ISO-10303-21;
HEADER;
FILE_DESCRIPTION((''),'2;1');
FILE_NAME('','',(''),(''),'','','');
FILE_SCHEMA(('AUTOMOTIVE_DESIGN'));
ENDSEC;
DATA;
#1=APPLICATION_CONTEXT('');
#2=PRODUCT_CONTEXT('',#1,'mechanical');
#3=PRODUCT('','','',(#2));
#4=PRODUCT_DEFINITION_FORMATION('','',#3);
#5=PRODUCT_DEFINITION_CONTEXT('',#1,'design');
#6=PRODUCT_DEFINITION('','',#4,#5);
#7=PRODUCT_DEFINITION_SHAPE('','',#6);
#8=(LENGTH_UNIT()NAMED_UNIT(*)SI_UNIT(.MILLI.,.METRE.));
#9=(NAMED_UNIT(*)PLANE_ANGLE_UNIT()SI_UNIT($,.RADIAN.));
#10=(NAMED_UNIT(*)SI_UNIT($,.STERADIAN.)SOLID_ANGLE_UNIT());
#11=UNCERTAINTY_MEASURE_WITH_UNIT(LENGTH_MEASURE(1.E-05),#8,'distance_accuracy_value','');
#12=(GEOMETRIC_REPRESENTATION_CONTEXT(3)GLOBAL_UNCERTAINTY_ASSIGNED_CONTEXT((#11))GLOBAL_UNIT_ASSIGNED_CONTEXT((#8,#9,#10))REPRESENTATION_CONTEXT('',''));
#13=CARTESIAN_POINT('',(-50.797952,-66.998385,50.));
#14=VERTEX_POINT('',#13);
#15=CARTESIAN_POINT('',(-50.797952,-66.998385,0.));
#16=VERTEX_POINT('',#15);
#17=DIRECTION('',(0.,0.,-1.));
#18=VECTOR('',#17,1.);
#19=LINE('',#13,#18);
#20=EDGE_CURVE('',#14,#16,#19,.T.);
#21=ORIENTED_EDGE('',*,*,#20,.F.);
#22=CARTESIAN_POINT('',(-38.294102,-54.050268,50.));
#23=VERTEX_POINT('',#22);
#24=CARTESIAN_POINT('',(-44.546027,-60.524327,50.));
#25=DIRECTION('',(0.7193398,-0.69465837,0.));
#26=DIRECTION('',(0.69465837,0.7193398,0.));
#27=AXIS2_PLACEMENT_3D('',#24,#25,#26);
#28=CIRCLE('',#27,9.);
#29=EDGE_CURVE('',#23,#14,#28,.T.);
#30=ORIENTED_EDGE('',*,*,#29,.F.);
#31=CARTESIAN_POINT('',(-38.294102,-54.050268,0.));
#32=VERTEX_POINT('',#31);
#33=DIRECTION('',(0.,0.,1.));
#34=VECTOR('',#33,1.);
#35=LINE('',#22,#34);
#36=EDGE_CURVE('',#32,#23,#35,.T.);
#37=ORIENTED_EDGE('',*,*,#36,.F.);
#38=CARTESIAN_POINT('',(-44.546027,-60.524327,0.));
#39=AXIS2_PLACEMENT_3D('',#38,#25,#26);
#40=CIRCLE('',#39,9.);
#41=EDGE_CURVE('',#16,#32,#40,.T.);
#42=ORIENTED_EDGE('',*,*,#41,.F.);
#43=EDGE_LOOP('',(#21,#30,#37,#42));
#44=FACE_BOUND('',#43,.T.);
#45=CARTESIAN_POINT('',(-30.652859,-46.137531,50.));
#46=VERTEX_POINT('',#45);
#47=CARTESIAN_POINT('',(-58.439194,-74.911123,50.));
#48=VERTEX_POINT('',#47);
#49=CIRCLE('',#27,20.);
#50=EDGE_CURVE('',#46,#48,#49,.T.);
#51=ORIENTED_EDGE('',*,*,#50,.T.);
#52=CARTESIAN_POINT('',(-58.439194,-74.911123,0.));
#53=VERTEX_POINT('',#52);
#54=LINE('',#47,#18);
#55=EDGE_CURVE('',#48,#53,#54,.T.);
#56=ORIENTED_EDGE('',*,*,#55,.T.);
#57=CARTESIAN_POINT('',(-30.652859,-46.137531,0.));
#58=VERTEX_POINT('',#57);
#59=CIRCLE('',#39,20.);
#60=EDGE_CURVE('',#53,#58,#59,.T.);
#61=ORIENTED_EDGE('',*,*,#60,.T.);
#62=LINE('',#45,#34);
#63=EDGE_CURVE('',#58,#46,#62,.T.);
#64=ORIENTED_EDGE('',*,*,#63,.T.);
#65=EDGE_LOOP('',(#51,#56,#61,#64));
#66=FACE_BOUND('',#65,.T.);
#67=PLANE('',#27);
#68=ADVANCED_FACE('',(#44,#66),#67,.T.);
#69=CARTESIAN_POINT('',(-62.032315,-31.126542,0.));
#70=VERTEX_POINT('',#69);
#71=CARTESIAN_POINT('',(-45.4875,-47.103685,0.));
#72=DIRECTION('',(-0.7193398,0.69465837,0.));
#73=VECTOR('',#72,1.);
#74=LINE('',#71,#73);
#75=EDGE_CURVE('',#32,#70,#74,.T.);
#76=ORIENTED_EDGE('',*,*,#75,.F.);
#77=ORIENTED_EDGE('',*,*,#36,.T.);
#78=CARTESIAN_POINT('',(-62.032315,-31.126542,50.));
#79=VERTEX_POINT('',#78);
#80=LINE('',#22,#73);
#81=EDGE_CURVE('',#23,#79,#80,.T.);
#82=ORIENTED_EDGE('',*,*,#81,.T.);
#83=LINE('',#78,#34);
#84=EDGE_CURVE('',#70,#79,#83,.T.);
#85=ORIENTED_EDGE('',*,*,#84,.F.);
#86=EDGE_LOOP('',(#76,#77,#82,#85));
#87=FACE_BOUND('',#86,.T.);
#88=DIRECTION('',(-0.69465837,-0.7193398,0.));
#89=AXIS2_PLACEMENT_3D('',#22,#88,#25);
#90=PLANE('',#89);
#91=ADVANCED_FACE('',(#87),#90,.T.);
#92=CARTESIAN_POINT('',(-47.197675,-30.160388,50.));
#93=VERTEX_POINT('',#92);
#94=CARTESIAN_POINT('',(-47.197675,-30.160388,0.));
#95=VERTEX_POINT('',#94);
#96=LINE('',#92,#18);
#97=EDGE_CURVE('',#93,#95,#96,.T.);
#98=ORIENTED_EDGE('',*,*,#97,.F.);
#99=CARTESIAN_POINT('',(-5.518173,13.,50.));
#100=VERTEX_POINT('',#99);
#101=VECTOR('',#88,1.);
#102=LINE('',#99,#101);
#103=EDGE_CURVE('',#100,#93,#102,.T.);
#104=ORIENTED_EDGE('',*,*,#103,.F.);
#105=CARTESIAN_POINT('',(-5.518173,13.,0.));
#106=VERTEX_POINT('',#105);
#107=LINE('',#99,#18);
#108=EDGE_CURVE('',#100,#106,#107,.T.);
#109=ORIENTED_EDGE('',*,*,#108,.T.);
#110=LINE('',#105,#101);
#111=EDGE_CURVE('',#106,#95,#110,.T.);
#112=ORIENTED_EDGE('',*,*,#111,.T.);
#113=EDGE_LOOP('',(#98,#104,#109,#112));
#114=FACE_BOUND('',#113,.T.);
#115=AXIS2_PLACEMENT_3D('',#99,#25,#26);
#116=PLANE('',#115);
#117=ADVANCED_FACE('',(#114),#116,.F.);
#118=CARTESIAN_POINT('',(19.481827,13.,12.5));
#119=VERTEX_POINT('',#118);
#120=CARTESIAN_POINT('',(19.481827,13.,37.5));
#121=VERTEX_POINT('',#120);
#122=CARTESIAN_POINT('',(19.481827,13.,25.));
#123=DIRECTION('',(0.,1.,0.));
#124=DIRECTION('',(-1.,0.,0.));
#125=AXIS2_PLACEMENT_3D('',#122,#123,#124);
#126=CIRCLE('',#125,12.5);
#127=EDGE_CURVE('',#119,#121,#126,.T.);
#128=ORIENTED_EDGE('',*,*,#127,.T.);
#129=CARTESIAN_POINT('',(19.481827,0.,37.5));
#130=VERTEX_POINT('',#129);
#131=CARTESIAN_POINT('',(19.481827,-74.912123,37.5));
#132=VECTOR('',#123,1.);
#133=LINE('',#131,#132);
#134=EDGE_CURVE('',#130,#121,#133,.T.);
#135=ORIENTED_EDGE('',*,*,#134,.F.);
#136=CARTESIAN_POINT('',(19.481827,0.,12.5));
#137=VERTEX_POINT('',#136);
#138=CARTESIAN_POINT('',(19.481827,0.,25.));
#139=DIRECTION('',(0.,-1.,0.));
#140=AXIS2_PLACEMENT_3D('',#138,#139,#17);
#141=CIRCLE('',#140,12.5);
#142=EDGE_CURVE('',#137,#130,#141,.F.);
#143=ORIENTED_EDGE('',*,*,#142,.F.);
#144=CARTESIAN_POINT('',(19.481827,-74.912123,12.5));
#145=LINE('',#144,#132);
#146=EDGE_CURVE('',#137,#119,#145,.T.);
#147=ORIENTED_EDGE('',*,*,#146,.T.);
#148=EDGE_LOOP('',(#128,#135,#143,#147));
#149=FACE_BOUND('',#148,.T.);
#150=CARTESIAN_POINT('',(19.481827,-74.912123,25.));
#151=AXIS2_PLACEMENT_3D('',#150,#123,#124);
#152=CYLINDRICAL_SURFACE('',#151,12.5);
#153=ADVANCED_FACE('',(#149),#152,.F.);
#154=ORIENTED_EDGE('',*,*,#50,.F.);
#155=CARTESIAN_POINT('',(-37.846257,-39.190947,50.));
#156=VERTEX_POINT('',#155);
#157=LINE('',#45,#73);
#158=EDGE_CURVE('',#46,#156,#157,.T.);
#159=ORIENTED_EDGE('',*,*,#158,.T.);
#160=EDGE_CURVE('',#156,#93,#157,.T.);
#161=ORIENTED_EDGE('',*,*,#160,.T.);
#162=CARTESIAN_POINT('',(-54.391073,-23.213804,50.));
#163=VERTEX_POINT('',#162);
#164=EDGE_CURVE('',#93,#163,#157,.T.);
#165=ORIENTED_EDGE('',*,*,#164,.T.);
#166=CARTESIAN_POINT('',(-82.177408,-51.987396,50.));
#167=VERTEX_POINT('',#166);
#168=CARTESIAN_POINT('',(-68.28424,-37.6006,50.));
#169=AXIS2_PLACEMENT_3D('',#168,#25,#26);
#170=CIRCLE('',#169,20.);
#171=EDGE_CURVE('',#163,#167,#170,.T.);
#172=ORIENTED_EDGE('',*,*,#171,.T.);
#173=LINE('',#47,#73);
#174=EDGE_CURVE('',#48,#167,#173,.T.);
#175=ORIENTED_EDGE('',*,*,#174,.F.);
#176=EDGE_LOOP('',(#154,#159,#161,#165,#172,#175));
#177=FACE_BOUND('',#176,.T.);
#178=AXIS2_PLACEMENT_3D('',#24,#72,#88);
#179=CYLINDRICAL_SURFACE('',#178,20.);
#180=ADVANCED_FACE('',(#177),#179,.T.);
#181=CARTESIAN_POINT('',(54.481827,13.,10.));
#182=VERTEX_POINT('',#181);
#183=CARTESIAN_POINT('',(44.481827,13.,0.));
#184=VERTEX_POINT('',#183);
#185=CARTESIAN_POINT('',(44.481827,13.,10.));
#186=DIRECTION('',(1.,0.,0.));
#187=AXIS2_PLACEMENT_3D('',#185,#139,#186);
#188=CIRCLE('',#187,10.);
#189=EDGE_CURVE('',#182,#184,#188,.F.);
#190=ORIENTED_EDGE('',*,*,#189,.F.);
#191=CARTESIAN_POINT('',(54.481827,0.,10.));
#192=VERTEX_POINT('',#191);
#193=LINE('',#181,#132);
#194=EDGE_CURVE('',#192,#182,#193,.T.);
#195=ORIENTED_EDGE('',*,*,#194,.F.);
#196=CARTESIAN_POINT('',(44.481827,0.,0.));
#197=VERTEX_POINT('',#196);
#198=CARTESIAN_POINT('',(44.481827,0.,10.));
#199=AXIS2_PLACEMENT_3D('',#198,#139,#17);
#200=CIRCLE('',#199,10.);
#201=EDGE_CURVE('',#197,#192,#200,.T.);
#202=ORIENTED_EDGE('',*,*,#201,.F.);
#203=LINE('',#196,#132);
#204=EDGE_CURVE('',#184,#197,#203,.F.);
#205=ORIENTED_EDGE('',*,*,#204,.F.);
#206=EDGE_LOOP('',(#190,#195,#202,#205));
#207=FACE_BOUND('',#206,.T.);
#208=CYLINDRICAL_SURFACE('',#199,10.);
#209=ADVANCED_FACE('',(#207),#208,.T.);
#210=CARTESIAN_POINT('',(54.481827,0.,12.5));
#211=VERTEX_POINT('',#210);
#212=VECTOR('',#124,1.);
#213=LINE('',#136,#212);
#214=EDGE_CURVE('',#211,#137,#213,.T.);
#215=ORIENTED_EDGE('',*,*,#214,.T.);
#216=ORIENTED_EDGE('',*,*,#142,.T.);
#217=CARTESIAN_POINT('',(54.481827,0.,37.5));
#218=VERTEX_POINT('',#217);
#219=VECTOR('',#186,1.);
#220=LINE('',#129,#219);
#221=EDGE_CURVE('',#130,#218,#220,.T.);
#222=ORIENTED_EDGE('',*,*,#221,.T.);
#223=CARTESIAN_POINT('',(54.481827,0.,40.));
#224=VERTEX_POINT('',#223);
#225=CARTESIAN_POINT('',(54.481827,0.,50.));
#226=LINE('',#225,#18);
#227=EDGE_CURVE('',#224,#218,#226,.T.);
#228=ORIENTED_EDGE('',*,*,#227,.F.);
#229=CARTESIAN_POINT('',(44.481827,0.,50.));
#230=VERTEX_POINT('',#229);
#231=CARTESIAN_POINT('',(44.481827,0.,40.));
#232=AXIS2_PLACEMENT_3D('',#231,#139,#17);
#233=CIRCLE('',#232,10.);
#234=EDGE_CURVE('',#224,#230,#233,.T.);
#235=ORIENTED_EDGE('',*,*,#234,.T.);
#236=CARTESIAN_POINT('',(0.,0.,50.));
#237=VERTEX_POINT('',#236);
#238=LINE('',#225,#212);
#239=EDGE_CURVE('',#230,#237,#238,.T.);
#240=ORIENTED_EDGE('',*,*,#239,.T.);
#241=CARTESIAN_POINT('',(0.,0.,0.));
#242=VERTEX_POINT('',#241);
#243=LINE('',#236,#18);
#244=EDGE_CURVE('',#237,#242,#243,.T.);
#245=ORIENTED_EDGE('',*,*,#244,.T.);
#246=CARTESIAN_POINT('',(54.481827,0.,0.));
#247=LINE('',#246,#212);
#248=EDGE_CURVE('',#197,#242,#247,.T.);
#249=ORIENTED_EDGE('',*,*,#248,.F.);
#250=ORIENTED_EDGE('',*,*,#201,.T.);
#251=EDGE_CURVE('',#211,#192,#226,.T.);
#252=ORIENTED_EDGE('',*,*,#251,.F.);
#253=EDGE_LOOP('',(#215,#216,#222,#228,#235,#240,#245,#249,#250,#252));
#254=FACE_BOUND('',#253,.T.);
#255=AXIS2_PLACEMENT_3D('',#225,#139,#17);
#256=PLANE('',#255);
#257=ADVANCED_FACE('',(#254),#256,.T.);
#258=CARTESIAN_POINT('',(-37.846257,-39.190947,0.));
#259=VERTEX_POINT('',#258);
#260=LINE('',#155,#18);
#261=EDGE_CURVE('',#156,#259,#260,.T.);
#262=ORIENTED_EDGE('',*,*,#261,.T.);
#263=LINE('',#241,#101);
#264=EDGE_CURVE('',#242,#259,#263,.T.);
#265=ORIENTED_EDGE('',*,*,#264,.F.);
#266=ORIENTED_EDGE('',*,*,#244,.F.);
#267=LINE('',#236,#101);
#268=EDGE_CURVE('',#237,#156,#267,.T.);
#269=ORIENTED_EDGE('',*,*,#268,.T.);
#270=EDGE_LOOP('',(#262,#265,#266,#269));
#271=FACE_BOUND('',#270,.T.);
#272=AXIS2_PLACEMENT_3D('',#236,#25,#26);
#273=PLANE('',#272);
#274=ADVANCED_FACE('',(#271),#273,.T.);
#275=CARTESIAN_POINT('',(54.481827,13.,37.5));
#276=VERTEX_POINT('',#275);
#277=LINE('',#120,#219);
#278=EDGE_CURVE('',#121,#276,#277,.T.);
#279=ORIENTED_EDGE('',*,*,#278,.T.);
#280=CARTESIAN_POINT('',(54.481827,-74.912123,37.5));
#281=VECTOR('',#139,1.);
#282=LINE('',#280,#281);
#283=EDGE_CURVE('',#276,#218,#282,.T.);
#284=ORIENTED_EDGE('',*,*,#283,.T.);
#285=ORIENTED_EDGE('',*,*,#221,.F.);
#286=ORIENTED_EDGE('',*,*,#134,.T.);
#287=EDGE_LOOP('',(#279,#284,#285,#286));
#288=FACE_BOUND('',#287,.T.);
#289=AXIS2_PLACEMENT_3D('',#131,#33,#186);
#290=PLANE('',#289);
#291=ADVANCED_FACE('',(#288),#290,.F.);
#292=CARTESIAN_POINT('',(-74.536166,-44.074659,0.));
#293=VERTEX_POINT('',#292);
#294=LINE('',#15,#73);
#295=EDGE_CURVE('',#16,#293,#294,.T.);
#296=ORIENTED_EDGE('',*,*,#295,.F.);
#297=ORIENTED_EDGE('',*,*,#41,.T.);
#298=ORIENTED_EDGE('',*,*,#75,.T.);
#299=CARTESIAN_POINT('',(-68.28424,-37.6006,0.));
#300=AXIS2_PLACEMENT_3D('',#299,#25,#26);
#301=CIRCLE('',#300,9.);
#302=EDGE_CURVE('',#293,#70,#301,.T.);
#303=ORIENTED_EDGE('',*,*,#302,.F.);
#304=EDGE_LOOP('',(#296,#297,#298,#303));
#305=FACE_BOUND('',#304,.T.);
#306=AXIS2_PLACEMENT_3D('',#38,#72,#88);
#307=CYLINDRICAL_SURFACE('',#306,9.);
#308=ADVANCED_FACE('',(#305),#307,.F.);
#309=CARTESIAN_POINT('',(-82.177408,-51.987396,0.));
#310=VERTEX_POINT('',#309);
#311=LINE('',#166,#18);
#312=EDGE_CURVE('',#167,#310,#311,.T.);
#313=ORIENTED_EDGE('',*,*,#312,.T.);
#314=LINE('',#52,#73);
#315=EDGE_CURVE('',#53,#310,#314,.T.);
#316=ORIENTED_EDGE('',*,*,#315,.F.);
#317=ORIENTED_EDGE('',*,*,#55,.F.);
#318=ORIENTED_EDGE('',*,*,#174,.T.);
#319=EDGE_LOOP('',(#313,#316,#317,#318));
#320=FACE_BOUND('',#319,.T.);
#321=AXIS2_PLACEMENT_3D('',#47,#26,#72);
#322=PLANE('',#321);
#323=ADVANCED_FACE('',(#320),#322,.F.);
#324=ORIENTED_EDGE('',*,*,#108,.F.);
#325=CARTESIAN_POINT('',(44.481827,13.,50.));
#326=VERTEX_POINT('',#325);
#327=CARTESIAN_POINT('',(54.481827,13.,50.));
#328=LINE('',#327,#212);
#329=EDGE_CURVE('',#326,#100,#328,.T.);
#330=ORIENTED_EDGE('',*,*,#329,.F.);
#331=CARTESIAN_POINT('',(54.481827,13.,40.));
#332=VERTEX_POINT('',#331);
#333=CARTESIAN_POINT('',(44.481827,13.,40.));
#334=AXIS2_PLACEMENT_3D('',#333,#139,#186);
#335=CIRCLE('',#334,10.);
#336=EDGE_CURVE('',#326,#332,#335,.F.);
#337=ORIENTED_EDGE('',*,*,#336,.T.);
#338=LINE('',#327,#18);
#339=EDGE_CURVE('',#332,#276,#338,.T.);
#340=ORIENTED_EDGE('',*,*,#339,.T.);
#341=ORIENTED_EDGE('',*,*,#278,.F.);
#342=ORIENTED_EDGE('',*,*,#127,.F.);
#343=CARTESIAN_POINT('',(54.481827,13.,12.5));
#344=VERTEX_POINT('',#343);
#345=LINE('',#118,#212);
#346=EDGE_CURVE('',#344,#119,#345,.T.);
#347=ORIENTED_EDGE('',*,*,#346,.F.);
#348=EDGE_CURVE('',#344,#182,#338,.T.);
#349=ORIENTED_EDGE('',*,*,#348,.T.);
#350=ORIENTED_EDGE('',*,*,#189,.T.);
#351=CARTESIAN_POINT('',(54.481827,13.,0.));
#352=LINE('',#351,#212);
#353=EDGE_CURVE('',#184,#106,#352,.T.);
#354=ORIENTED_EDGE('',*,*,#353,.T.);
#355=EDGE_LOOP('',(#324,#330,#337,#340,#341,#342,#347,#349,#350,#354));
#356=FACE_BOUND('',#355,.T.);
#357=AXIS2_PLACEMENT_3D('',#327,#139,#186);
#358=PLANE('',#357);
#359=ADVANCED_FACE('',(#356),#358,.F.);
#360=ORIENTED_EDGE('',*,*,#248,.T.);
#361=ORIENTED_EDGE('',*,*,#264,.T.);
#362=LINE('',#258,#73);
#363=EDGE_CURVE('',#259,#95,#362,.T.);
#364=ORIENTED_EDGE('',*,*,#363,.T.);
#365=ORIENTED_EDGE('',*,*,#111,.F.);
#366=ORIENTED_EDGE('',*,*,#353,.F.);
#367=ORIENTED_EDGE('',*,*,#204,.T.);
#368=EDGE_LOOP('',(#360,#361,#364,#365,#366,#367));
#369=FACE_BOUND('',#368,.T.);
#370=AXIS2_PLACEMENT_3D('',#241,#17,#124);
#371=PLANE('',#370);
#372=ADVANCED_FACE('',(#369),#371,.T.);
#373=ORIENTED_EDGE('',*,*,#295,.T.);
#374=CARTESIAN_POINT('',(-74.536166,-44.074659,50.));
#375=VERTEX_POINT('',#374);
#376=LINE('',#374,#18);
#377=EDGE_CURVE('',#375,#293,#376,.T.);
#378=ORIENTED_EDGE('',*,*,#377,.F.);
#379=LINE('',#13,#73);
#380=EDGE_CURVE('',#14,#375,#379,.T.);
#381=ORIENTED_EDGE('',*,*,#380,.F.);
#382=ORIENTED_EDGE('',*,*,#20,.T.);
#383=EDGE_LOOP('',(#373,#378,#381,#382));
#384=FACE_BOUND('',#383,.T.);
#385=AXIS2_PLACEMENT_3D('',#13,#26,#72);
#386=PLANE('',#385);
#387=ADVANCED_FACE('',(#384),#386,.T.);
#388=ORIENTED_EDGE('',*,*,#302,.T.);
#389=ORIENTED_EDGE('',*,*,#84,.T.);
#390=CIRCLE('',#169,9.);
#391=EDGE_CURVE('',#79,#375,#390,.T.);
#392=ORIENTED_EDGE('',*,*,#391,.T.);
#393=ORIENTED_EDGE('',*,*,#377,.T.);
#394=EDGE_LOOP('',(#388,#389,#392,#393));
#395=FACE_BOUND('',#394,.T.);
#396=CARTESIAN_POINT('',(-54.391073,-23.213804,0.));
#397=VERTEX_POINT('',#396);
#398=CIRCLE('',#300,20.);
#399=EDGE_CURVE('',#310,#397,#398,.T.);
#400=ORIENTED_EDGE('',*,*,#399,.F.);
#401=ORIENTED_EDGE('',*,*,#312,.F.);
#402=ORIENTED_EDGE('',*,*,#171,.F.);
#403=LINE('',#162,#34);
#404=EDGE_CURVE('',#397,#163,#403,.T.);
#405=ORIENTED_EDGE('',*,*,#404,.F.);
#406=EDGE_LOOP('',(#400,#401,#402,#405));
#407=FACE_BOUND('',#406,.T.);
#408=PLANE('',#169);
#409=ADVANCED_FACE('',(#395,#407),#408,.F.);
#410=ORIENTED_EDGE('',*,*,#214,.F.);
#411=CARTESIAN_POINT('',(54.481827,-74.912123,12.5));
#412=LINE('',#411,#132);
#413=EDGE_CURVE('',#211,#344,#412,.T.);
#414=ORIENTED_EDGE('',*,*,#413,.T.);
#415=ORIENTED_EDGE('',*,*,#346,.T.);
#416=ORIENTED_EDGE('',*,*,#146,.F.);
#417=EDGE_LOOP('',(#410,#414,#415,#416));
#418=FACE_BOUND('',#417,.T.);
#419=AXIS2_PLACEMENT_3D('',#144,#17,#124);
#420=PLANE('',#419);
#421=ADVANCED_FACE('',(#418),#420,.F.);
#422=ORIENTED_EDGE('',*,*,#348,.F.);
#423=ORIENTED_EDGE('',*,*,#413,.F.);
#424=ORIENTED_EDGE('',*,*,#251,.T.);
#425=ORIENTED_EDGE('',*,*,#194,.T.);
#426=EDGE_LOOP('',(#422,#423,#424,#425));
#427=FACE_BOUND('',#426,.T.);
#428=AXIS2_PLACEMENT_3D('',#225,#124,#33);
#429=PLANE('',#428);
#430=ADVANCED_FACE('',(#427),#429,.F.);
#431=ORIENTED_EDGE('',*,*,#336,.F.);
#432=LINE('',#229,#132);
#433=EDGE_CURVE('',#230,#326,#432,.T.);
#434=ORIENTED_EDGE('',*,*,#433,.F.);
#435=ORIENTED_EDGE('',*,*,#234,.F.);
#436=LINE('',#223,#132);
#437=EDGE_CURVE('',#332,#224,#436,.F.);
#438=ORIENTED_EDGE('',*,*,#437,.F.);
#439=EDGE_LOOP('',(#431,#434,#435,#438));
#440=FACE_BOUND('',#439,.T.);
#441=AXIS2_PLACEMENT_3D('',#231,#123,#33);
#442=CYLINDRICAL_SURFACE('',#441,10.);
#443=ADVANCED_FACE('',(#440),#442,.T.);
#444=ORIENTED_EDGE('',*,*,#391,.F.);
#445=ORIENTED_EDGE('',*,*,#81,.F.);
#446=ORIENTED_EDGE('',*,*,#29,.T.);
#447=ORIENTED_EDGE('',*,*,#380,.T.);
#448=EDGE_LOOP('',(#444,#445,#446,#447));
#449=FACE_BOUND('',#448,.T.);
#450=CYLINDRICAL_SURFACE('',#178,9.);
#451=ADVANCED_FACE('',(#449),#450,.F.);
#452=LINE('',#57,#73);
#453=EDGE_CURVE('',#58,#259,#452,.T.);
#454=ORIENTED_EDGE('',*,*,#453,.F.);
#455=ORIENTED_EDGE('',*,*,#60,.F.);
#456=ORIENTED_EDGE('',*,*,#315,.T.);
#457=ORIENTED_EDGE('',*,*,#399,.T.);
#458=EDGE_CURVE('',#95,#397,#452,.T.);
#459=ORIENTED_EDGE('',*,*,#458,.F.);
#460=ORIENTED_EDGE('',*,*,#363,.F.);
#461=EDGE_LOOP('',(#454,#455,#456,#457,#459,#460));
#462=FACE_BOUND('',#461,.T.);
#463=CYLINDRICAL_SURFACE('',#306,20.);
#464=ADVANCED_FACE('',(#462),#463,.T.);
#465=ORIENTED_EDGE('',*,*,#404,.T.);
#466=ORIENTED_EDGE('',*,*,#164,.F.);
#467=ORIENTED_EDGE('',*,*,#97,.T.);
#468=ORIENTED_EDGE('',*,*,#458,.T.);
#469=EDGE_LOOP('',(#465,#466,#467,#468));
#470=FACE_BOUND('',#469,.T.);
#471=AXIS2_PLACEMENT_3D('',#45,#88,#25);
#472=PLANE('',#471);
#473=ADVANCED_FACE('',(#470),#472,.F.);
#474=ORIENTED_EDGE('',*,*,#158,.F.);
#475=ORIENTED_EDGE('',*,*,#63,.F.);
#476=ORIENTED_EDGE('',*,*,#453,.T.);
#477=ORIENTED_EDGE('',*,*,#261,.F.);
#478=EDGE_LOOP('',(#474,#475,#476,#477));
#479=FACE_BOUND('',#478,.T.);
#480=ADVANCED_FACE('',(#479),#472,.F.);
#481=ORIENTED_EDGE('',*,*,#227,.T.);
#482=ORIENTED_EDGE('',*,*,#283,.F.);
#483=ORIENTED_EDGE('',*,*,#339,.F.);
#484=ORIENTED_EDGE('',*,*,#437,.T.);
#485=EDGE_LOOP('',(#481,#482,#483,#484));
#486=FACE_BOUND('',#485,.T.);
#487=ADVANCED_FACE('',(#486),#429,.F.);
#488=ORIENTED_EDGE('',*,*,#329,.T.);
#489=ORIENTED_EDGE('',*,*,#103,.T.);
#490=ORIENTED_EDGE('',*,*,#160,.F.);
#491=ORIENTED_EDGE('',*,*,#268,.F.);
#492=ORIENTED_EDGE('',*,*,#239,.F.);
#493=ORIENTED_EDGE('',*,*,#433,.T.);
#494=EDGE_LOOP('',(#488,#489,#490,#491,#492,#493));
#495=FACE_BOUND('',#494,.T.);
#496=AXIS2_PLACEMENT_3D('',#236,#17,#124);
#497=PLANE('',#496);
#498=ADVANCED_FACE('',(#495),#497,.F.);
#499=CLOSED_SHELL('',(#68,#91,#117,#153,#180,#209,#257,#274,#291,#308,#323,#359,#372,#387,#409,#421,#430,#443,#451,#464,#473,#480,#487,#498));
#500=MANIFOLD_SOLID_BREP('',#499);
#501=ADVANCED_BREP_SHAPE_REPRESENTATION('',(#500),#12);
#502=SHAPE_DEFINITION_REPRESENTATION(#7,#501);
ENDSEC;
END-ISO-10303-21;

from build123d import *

# Parameters (mm, degrees)
BOSS_EXTRUDE1_DEPTH = 50
BOSS_EXTRUDE2_DEPTH = 16.5
CUT_EXTRUDE1_DEPTH  = 16.5
CUT_EXTRUDE2_REACH  = 141.217
FILLET1_R           = 10


with BuildPart() as part:
    # Sketch1 → Boss-Extrude1 (new body)
    with BuildSketch(Plane.XY):
        Polygon((54.481827389, 0), (0, 0), (-51.739424843, -53.577742843), (-61.090842247, -44.547184027), (-5.518172611, 13), (54.481827389, 13), align=None)
    extrude(amount=BOSS_EXTRUDE1_DEPTH)

    # Sketch4 → Boss-Extrude2 (add, symmetric)
    with BuildSketch(Plane(origin=(-4.675708702, 4.515279408, 0), x_dir=(0, 0, -1), z_dir=(0.7193398003386524, -0.6946583704589959, 0))):
        with BuildLine():
            Line((-50, -54.481827389), (0, -54.481827389))
            ThreePointArc((0, -54.481827389), (20, -74.481827389), (0, -94.481827389))
            Line((0, -94.481827389), (-50, -94.481827389))
            ThreePointArc((-50, -94.481827389), (-70, -74.481827389), (-50, -54.481827389))
        make_face()
        with BuildLine():
            Line((-50, -65.481827389), (0, -65.481827389))
            ThreePointArc((0, -65.481827389), (9, -74.481827389), (0, -83.481827389))
            Line((0, -83.481827389), (-50, -83.481827389))
            ThreePointArc((-50, -83.481827389), (-59, -74.481827389), (-50, -65.481827389))
        make_face(mode=Mode.SUBTRACT)
    extrude(amount=BOSS_EXTRUDE2_DEPTH, both=True)

    # Sketch4<2> → Cut-Extrude1 (cut, symmetric)
    with BuildSketch(Plane(origin=(-4.675708702, 4.515279408, 0), x_dir=(0, 0, -1), z_dir=(0.7193398003386524, -0.6946583704589959, 0))):
        with BuildLine():
            Line((-50, -83.481827389), (0, -83.481827389))
            ThreePointArc((0, -83.481827389), (9, -74.481827389), (0, -65.481827389))
            Line((0, -65.481827389), (-50, -65.481827389))
            ThreePointArc((-50, -65.481827389), (-59, -74.481827389), (-50, -83.481827389))
        make_face()
    extrude(amount=CUT_EXTRUDE1_DEPTH, both=True, mode=Mode.SUBTRACT)

    # Sketch6 → Cut-Extrude2 (cut, up to next)
    with BuildSketch(Plane(origin=(0, 13, 0), x_dir=(1, 0, 0), z_dir=(0, 1, 0)), mode=Mode.PRIVATE) as cut_extrude2_sk1:
        with BuildLine():
            Line((19.481827389, -12.5), (54.481827389, -12.5))
            ThreePointArc((54.481827389, -12.5), (66.981827389, -25), (54.481827389, -37.5))
            Line((54.481827389, -37.5), (19.481827389, -37.5))
            ThreePointArc((19.481827389, -37.5), (6.981827389, -25), (19.481827389, -12.5))
        make_face()
    cut_extrude2_tool1 = extrude(cut_extrude2_sk1.sketch, amount=-CUT_EXTRUDE2_REACH, mode=Mode.PRIVATE) & part.part
    add(cut_extrude2_tool1.solids().sort_by_distance((36.981827, 13, 25))[0], mode=Mode.SUBTRACT)

    # Fillet1
    fillet1_edges = [part.edges().sort_by_distance(p)[0] for p in [
        (54.481827389, 6.5, 50),
        (54.481827389, 6.5, 0),
    ]]
    fillet(fillet1_edges, radius=FILLET1_R)


solid = part.part
